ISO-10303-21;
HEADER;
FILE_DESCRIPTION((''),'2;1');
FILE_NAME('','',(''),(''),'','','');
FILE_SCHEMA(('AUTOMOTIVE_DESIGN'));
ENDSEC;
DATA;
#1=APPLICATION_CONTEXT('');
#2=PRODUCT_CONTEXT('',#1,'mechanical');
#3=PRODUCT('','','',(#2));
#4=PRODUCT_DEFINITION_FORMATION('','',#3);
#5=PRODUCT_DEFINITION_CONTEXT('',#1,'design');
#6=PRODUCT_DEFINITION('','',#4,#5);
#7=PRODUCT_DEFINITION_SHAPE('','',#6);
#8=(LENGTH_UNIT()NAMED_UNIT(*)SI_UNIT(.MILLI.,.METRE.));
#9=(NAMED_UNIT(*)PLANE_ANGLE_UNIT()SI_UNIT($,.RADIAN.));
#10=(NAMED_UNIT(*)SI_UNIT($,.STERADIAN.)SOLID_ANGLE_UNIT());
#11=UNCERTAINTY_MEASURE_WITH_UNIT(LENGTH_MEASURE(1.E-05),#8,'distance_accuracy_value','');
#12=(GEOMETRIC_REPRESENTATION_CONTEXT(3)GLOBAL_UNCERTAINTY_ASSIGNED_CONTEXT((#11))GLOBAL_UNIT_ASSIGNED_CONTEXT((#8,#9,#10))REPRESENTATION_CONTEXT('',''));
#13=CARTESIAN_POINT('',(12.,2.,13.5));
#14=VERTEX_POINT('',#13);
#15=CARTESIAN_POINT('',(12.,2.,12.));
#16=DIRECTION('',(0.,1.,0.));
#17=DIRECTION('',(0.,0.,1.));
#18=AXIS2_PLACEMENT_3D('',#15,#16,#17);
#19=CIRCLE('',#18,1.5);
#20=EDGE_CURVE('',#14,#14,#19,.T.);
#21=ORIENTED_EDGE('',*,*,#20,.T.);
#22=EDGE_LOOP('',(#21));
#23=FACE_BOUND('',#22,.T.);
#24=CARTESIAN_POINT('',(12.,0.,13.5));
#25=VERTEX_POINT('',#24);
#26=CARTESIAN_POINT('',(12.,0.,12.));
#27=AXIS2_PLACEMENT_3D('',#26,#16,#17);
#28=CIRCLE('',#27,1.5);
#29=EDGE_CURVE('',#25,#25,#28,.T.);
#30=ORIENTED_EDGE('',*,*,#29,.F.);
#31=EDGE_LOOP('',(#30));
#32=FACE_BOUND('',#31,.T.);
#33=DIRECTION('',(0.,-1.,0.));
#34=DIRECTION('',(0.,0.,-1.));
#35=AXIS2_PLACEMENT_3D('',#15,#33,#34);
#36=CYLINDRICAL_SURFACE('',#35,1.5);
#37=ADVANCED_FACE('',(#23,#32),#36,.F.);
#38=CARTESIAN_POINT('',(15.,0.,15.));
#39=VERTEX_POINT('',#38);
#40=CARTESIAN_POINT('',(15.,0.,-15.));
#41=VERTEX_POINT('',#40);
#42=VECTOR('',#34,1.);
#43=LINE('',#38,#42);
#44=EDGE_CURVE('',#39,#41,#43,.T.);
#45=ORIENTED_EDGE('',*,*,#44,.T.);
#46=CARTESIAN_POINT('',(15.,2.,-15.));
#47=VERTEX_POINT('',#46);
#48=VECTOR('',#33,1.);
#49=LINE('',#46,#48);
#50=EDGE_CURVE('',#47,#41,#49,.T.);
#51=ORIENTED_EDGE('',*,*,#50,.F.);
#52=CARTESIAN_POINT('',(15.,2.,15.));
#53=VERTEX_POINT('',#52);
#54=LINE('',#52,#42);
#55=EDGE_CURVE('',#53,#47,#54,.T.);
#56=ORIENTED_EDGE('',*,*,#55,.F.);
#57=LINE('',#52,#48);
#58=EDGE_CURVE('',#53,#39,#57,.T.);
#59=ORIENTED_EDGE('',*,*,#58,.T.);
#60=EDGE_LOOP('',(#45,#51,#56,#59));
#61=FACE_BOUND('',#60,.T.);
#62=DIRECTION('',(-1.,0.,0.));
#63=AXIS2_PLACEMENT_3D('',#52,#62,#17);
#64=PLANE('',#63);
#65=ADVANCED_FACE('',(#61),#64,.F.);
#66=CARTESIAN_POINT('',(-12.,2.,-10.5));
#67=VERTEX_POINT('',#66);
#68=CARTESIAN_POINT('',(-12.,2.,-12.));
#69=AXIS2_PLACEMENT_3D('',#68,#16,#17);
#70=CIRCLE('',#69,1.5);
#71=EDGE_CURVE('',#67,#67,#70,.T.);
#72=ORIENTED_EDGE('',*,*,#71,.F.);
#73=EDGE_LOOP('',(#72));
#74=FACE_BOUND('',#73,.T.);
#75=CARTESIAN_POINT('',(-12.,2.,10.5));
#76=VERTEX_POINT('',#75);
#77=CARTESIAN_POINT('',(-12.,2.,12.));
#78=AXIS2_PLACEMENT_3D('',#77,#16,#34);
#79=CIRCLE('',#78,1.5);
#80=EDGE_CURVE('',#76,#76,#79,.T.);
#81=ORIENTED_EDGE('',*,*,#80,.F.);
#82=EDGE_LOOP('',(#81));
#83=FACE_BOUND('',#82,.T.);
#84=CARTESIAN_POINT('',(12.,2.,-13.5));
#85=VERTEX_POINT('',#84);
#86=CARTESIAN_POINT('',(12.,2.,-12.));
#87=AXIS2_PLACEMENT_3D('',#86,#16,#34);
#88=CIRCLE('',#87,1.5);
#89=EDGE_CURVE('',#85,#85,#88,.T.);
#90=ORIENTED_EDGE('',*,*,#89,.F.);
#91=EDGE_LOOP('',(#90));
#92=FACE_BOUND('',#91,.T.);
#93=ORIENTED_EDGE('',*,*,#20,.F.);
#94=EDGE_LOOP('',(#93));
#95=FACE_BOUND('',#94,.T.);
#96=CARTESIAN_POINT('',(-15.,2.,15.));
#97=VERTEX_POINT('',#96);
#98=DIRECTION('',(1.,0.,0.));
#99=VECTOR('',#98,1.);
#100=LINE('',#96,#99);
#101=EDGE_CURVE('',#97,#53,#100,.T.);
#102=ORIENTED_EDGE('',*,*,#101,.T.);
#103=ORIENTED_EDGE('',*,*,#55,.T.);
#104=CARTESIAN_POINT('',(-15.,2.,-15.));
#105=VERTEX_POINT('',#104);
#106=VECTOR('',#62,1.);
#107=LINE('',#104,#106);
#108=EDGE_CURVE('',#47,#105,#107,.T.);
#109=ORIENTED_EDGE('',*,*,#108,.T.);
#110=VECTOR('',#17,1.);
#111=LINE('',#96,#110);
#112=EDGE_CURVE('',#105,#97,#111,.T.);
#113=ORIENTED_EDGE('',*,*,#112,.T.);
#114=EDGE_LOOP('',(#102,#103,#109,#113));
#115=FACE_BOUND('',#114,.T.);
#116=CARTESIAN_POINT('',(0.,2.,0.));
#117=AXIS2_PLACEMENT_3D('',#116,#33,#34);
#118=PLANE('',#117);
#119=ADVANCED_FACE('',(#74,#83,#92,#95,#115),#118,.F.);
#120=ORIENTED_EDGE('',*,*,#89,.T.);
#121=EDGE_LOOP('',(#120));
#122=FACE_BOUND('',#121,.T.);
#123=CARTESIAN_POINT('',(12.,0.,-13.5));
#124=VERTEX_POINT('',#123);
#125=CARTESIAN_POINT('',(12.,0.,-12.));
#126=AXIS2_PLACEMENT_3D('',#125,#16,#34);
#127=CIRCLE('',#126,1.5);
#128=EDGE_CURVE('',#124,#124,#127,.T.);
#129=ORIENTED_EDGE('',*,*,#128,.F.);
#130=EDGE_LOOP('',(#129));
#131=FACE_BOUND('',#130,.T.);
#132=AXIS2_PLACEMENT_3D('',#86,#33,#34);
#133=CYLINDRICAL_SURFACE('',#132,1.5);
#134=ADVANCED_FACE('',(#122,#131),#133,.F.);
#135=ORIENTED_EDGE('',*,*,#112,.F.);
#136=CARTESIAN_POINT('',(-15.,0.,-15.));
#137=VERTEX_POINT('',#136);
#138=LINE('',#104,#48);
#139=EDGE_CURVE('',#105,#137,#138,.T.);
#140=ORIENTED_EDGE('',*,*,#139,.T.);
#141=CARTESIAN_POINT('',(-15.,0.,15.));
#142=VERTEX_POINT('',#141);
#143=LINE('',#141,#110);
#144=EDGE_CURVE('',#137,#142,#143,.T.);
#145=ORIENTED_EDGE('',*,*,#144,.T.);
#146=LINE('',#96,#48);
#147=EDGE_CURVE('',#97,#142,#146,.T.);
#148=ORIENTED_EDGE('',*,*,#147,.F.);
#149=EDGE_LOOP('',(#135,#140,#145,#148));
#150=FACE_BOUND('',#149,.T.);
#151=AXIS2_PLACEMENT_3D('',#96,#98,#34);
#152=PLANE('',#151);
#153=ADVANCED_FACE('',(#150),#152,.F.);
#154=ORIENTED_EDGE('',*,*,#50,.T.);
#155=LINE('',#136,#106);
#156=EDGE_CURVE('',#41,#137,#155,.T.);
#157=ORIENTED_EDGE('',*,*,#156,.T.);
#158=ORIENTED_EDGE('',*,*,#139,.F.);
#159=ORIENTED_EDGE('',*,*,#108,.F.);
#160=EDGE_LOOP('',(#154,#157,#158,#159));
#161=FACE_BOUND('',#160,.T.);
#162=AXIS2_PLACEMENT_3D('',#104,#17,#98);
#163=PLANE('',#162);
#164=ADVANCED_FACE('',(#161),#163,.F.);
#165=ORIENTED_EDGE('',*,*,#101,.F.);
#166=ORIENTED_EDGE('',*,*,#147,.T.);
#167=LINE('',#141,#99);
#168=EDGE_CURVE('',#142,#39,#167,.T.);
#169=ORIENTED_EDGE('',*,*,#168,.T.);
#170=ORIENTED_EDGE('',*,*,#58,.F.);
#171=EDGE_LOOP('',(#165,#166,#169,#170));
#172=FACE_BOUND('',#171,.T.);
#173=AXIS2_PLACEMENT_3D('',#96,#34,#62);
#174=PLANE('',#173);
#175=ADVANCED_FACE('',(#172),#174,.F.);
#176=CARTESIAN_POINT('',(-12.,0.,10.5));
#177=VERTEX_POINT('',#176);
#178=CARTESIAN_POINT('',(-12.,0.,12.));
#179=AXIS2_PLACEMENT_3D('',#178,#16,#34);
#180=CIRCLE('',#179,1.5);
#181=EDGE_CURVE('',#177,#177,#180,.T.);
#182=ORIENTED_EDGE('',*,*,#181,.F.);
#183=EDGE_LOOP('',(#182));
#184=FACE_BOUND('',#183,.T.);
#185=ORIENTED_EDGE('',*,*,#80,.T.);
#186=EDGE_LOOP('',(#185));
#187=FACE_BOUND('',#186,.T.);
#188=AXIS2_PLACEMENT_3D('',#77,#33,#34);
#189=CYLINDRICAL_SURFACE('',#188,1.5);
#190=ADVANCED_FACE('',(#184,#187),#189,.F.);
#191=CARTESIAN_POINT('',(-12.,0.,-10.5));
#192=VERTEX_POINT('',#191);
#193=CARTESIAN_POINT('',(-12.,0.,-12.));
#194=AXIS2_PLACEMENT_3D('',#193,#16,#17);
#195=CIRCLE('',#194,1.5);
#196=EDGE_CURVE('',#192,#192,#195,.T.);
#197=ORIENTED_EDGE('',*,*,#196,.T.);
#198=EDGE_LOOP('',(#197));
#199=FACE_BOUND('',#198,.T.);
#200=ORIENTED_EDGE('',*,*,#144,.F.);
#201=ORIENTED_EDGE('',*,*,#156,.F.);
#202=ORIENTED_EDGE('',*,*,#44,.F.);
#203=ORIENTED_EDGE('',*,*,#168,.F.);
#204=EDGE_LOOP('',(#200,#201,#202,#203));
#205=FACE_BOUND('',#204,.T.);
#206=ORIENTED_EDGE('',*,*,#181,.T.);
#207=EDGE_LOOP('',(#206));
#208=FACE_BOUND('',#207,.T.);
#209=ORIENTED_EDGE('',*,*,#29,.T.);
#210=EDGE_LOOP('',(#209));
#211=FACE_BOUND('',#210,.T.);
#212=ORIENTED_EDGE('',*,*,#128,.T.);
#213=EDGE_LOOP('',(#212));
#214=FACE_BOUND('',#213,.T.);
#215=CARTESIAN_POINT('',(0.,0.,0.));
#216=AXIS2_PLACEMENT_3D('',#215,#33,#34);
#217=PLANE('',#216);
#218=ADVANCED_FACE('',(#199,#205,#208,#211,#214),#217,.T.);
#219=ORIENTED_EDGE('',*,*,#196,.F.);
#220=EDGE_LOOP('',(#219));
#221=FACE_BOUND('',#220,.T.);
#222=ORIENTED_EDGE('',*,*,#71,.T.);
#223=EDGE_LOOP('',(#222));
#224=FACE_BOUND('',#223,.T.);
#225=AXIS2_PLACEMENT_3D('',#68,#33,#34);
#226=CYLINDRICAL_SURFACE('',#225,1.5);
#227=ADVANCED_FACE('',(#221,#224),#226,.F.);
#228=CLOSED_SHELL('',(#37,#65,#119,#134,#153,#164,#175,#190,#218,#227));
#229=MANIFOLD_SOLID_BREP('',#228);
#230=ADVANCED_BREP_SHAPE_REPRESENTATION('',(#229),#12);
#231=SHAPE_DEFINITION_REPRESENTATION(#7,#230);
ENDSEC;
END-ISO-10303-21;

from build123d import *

# Parameters (mm, degrees)
SKETCH1_W           = 30
SKETCH1_H           = 30
SKETCH1_R           = 1.5
BOSS_EXTRUDE1_DEPTH = 2


with BuildPart() as part:
    # Sketch1 → Boss-Extrude1 (new body)
    with BuildSketch(Plane(origin=(0, 0, 0), x_dir=(1, 0, 0), z_dir=(0, 1, 0))):
        Rectangle(SKETCH1_W, SKETCH1_H)
        with Locations(Location((-12, 12, 0), (0, 0, 270))):
            Circle(SKETCH1_R, mode=Mode.SUBTRACT)
        with Locations(Location((12, 12, 0), (0, 0, 90))):
            Circle(SKETCH1_R, mode=Mode.SUBTRACT)
        with Locations(Location((12, -12, 0), (0, 0, 270))):
            Circle(SKETCH1_R, mode=Mode.SUBTRACT)
        with Locations(Location((-12, -12, 0), (0, 0, 90))):
            Circle(SKETCH1_R, mode=Mode.SUBTRACT)
    extrude(amount=BOSS_EXTRUDE1_DEPTH)


solid = part.part
